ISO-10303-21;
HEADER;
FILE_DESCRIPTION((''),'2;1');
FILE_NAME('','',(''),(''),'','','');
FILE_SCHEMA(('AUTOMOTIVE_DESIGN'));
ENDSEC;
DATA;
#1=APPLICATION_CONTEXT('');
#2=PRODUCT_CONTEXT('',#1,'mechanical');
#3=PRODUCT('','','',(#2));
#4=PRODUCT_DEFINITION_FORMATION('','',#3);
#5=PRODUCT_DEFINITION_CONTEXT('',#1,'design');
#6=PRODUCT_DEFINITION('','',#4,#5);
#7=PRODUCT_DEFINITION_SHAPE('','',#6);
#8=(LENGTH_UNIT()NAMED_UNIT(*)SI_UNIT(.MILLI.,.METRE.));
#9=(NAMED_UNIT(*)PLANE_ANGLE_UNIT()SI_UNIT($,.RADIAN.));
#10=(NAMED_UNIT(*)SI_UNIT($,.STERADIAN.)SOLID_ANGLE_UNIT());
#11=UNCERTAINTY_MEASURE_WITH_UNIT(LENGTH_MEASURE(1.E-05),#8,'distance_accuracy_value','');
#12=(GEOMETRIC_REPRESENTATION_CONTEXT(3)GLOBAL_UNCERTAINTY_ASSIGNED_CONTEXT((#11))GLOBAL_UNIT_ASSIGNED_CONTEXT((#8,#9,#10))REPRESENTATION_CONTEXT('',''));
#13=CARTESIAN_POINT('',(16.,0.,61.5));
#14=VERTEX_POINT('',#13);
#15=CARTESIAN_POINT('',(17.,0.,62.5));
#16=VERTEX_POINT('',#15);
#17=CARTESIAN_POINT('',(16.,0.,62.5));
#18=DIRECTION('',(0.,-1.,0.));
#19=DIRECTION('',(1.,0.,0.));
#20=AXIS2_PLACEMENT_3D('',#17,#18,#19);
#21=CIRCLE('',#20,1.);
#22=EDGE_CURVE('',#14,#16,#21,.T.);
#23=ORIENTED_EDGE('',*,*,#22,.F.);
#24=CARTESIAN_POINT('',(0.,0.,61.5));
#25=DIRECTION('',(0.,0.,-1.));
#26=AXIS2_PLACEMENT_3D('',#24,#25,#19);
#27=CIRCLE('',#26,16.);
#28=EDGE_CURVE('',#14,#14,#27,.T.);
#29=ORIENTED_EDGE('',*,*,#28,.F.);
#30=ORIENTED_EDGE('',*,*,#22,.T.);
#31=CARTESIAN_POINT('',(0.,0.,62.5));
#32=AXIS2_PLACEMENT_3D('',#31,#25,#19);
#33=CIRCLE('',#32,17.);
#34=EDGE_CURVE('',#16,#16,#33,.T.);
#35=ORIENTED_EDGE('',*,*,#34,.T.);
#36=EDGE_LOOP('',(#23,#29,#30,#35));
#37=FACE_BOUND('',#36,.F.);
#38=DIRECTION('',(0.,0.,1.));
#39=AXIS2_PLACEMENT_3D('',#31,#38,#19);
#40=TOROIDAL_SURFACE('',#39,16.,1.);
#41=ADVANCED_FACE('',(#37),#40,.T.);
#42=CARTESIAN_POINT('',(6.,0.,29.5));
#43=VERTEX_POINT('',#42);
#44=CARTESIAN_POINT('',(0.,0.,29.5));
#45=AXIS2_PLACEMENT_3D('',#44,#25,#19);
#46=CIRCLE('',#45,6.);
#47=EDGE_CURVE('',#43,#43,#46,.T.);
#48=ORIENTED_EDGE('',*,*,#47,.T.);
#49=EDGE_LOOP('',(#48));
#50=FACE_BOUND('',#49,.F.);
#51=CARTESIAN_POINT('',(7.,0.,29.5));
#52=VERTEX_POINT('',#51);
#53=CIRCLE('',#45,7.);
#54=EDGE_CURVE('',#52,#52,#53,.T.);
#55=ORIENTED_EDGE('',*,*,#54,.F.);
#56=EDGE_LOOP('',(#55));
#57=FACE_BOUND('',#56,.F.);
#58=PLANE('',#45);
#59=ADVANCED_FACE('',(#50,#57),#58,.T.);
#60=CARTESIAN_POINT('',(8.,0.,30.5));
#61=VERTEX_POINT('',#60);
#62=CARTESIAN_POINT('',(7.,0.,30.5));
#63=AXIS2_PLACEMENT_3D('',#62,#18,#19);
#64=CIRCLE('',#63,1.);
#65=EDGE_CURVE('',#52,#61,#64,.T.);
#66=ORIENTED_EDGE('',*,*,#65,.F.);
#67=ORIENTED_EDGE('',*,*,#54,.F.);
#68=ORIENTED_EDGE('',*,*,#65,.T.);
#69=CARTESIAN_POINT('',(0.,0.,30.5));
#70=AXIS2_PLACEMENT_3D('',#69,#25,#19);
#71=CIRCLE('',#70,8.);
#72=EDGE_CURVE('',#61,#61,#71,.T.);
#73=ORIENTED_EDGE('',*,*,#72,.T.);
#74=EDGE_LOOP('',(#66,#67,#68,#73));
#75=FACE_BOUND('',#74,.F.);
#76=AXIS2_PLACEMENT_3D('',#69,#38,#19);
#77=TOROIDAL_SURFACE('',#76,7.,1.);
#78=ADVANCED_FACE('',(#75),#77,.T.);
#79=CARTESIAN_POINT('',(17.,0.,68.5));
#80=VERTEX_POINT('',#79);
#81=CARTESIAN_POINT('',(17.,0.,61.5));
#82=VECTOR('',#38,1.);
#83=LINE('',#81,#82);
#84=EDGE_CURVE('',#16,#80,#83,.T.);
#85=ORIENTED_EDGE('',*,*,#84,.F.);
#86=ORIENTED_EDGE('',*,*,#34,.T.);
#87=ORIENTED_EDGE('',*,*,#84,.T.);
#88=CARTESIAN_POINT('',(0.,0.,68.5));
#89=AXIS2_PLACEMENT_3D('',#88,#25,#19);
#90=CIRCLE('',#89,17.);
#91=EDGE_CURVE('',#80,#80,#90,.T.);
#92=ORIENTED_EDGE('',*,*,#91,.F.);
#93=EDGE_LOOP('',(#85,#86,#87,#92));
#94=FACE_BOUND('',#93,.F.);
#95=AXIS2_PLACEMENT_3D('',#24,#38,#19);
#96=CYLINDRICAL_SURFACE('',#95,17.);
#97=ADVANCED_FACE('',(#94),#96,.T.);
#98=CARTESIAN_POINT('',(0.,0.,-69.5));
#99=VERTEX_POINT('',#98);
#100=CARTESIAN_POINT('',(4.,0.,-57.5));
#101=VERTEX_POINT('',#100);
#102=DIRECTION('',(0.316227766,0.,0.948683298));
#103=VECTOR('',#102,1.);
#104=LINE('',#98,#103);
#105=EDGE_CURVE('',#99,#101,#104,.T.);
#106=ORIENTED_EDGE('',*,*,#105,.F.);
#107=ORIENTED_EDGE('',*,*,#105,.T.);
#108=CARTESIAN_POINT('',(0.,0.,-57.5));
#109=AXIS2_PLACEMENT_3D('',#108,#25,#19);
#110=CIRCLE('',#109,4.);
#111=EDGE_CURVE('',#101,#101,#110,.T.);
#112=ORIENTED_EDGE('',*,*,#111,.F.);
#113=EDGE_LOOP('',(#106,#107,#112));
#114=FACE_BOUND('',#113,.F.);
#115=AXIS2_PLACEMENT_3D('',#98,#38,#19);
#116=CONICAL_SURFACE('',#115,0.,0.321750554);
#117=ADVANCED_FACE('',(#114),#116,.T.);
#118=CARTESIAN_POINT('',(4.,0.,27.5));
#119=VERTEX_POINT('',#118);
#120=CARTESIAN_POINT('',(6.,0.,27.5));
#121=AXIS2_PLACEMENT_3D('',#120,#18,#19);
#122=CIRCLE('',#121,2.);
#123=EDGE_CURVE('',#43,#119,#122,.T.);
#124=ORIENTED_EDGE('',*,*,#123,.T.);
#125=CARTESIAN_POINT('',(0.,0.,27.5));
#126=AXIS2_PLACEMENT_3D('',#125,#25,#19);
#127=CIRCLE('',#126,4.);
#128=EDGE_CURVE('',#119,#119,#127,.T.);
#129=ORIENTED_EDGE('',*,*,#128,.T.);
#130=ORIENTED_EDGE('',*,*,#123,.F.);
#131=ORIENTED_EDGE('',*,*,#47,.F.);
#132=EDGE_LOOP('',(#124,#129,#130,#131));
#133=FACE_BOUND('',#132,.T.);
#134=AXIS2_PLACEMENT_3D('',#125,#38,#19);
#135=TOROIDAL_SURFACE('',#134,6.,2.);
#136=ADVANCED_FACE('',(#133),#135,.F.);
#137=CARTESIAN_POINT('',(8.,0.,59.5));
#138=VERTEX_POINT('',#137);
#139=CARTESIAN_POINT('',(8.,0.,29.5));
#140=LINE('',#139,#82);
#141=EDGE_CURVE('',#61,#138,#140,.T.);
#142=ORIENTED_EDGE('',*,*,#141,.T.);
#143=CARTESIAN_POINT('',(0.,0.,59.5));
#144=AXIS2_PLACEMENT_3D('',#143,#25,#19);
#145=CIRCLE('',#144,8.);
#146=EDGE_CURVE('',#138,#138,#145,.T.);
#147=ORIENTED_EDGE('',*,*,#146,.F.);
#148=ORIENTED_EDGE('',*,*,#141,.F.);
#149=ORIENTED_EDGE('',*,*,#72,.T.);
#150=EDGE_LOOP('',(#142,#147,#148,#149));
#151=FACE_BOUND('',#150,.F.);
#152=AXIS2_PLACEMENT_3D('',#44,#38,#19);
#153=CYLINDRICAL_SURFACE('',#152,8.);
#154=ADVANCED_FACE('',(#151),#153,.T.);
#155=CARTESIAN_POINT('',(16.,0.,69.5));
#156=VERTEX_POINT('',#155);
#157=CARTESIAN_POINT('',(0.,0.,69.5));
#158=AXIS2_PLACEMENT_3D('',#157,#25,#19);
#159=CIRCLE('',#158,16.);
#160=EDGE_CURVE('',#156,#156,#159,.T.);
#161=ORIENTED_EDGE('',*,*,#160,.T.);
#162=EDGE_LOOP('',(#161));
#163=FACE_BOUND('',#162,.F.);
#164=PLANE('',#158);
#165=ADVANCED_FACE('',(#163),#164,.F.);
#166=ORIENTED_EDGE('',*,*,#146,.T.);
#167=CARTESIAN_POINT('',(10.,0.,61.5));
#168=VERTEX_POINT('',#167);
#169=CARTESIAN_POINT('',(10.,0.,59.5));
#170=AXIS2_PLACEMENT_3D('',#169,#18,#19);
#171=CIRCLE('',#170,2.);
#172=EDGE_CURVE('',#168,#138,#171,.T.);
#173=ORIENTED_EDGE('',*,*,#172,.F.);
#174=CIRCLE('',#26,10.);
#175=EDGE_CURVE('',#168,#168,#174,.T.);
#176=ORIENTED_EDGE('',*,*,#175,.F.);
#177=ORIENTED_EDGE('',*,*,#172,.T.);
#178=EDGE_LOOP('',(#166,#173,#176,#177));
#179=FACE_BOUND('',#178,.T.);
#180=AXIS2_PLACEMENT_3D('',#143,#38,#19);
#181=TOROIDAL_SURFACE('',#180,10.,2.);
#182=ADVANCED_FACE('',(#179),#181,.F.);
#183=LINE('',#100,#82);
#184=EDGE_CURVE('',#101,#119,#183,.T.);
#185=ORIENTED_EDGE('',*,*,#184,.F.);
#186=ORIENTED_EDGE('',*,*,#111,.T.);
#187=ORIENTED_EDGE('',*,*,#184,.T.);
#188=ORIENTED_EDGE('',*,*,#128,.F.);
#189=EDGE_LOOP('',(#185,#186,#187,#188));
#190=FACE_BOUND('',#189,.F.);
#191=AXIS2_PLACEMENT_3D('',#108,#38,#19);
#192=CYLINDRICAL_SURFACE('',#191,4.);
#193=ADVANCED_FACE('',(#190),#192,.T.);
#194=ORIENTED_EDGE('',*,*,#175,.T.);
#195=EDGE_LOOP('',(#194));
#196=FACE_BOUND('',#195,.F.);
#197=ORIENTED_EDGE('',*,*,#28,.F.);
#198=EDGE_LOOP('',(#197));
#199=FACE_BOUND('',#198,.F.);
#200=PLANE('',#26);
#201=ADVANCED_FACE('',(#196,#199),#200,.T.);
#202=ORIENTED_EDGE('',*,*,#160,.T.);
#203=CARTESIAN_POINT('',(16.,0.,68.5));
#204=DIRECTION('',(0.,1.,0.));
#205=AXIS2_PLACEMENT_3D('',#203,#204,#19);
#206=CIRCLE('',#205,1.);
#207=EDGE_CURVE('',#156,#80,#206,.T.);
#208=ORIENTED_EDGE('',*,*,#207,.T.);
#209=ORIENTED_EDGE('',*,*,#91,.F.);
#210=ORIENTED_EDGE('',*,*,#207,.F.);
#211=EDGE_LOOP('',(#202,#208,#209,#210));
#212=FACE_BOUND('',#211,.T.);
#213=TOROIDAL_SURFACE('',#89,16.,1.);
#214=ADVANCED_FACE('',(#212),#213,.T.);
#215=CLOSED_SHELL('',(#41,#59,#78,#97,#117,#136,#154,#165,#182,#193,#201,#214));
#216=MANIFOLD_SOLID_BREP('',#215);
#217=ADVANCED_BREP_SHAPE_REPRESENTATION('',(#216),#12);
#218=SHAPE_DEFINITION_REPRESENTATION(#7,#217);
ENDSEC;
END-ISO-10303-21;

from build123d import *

# Parameters (mm, degrees)
F2_R = 1
F3_R = 2


with BuildPart() as f1:
    # F0 (on Front) → F1 (revolve)
    with BuildSketch(Plane.XZ):
        Polygon((17, 69.5), (0, 69.5), (0, -69.5), (4, -57.5), (4, 29.5), (8, 29.5), (8, 39.5), (8, 61.5), (17, 61.5), align=None)
    revolve(axis=Axis((0, 0, 0), (0, 0, -1)))

    # F2
    f2_edges = [f1.edges().sort_by_distance(p)[0] for p in [
        (-17, 0, 69.5),
        (-17, 0, 61.5),
        (-8, 0, 29.5),
    ]]
    fillet(f2_edges, radius=F2_R)

    # F3
    f3_edges = [f1.edges().sort_by_distance(p)[0] for p in [
        (-8, 0, 61.5),
        (-4, 0, 29.5),
    ]]
    fillet(f3_edges, radius=F3_R)


solid = f1.part
